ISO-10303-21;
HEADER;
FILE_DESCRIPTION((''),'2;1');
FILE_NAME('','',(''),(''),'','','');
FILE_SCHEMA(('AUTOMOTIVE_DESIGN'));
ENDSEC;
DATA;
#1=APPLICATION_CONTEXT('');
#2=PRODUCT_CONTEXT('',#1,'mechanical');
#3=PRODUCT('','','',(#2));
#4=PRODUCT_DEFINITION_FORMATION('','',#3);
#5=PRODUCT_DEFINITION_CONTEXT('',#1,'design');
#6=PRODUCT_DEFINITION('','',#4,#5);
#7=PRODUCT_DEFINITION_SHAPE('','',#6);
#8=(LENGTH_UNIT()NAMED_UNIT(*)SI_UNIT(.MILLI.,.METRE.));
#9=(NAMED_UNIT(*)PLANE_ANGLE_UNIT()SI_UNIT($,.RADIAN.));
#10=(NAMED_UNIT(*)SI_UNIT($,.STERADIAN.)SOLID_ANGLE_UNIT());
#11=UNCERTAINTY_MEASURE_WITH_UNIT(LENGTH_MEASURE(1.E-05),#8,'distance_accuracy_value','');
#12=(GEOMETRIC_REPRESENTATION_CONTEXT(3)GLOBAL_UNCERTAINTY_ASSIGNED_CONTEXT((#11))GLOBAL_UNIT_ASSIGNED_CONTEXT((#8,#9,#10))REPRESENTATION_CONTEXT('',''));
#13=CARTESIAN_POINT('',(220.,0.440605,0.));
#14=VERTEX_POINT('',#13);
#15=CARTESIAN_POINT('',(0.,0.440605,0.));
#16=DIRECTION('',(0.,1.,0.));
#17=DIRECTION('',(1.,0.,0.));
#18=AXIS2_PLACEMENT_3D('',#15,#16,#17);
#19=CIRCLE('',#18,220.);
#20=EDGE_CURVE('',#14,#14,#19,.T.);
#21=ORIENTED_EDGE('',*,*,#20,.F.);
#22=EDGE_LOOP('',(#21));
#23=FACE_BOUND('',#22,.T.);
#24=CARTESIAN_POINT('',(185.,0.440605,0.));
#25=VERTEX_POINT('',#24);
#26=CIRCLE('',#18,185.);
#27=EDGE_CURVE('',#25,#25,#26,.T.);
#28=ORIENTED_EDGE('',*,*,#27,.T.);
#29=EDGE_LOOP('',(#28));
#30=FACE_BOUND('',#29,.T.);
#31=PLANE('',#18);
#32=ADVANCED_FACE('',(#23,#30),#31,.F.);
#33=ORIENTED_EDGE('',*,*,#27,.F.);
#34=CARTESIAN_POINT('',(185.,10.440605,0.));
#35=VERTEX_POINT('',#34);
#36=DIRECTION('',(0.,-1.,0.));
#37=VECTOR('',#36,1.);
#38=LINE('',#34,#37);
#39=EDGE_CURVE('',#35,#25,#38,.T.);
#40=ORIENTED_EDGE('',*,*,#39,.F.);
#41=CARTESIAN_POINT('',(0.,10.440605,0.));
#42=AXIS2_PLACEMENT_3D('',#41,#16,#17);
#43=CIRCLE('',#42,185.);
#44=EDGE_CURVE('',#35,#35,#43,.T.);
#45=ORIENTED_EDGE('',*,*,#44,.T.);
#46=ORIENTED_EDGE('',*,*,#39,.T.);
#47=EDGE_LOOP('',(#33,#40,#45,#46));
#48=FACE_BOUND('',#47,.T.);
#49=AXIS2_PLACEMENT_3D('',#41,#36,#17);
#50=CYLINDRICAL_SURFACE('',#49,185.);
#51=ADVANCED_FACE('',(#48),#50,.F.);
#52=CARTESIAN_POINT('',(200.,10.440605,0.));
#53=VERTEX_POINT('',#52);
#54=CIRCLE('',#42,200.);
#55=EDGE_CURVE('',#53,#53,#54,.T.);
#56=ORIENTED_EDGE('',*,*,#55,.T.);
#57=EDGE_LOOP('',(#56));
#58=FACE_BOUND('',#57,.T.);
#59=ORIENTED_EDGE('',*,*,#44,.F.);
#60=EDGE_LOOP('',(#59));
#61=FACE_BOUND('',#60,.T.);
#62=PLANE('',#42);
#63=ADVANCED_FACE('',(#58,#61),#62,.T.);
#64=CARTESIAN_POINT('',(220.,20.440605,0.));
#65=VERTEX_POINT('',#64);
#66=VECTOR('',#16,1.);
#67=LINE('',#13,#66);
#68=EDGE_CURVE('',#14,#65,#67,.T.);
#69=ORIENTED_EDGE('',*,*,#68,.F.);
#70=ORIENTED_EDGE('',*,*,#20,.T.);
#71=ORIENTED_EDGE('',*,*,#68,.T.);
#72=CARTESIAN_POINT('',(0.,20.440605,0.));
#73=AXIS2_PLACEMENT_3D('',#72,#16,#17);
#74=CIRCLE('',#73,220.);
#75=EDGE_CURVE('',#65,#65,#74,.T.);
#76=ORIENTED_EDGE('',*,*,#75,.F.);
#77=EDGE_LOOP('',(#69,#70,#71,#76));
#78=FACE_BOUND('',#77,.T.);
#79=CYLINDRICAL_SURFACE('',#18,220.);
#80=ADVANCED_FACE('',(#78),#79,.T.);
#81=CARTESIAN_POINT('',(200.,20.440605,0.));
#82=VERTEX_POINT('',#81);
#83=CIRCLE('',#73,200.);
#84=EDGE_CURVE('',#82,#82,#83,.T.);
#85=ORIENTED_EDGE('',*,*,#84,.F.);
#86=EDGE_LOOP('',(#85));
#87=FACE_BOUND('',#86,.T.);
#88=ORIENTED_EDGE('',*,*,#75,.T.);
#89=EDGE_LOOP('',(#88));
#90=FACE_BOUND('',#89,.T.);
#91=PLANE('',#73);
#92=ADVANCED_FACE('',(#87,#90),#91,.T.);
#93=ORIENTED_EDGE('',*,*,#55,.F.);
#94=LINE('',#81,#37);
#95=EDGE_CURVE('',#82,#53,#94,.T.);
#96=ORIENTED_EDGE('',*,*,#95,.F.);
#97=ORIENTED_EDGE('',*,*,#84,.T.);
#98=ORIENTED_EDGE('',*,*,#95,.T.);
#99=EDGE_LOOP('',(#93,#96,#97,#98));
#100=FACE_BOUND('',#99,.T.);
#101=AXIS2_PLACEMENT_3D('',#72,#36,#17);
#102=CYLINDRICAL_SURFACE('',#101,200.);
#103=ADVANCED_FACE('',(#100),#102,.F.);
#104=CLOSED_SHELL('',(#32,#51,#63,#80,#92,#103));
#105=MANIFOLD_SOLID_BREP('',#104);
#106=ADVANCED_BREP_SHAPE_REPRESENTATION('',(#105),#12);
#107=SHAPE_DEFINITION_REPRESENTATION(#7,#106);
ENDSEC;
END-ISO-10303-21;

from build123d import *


with BuildPart() as part:
    # Sketch → Revolution (revolve)
    with BuildSketch(Plane.XY):
        Polygon((185, 0.440605), (220, 0.440605), (220, 20.440605), (200, 20.440605), (200, 10.440605), (185, 10.440605), align=None)
    revolve(axis=Axis((0, 0, 0), (0, 1, 0)))


solid = part.part
